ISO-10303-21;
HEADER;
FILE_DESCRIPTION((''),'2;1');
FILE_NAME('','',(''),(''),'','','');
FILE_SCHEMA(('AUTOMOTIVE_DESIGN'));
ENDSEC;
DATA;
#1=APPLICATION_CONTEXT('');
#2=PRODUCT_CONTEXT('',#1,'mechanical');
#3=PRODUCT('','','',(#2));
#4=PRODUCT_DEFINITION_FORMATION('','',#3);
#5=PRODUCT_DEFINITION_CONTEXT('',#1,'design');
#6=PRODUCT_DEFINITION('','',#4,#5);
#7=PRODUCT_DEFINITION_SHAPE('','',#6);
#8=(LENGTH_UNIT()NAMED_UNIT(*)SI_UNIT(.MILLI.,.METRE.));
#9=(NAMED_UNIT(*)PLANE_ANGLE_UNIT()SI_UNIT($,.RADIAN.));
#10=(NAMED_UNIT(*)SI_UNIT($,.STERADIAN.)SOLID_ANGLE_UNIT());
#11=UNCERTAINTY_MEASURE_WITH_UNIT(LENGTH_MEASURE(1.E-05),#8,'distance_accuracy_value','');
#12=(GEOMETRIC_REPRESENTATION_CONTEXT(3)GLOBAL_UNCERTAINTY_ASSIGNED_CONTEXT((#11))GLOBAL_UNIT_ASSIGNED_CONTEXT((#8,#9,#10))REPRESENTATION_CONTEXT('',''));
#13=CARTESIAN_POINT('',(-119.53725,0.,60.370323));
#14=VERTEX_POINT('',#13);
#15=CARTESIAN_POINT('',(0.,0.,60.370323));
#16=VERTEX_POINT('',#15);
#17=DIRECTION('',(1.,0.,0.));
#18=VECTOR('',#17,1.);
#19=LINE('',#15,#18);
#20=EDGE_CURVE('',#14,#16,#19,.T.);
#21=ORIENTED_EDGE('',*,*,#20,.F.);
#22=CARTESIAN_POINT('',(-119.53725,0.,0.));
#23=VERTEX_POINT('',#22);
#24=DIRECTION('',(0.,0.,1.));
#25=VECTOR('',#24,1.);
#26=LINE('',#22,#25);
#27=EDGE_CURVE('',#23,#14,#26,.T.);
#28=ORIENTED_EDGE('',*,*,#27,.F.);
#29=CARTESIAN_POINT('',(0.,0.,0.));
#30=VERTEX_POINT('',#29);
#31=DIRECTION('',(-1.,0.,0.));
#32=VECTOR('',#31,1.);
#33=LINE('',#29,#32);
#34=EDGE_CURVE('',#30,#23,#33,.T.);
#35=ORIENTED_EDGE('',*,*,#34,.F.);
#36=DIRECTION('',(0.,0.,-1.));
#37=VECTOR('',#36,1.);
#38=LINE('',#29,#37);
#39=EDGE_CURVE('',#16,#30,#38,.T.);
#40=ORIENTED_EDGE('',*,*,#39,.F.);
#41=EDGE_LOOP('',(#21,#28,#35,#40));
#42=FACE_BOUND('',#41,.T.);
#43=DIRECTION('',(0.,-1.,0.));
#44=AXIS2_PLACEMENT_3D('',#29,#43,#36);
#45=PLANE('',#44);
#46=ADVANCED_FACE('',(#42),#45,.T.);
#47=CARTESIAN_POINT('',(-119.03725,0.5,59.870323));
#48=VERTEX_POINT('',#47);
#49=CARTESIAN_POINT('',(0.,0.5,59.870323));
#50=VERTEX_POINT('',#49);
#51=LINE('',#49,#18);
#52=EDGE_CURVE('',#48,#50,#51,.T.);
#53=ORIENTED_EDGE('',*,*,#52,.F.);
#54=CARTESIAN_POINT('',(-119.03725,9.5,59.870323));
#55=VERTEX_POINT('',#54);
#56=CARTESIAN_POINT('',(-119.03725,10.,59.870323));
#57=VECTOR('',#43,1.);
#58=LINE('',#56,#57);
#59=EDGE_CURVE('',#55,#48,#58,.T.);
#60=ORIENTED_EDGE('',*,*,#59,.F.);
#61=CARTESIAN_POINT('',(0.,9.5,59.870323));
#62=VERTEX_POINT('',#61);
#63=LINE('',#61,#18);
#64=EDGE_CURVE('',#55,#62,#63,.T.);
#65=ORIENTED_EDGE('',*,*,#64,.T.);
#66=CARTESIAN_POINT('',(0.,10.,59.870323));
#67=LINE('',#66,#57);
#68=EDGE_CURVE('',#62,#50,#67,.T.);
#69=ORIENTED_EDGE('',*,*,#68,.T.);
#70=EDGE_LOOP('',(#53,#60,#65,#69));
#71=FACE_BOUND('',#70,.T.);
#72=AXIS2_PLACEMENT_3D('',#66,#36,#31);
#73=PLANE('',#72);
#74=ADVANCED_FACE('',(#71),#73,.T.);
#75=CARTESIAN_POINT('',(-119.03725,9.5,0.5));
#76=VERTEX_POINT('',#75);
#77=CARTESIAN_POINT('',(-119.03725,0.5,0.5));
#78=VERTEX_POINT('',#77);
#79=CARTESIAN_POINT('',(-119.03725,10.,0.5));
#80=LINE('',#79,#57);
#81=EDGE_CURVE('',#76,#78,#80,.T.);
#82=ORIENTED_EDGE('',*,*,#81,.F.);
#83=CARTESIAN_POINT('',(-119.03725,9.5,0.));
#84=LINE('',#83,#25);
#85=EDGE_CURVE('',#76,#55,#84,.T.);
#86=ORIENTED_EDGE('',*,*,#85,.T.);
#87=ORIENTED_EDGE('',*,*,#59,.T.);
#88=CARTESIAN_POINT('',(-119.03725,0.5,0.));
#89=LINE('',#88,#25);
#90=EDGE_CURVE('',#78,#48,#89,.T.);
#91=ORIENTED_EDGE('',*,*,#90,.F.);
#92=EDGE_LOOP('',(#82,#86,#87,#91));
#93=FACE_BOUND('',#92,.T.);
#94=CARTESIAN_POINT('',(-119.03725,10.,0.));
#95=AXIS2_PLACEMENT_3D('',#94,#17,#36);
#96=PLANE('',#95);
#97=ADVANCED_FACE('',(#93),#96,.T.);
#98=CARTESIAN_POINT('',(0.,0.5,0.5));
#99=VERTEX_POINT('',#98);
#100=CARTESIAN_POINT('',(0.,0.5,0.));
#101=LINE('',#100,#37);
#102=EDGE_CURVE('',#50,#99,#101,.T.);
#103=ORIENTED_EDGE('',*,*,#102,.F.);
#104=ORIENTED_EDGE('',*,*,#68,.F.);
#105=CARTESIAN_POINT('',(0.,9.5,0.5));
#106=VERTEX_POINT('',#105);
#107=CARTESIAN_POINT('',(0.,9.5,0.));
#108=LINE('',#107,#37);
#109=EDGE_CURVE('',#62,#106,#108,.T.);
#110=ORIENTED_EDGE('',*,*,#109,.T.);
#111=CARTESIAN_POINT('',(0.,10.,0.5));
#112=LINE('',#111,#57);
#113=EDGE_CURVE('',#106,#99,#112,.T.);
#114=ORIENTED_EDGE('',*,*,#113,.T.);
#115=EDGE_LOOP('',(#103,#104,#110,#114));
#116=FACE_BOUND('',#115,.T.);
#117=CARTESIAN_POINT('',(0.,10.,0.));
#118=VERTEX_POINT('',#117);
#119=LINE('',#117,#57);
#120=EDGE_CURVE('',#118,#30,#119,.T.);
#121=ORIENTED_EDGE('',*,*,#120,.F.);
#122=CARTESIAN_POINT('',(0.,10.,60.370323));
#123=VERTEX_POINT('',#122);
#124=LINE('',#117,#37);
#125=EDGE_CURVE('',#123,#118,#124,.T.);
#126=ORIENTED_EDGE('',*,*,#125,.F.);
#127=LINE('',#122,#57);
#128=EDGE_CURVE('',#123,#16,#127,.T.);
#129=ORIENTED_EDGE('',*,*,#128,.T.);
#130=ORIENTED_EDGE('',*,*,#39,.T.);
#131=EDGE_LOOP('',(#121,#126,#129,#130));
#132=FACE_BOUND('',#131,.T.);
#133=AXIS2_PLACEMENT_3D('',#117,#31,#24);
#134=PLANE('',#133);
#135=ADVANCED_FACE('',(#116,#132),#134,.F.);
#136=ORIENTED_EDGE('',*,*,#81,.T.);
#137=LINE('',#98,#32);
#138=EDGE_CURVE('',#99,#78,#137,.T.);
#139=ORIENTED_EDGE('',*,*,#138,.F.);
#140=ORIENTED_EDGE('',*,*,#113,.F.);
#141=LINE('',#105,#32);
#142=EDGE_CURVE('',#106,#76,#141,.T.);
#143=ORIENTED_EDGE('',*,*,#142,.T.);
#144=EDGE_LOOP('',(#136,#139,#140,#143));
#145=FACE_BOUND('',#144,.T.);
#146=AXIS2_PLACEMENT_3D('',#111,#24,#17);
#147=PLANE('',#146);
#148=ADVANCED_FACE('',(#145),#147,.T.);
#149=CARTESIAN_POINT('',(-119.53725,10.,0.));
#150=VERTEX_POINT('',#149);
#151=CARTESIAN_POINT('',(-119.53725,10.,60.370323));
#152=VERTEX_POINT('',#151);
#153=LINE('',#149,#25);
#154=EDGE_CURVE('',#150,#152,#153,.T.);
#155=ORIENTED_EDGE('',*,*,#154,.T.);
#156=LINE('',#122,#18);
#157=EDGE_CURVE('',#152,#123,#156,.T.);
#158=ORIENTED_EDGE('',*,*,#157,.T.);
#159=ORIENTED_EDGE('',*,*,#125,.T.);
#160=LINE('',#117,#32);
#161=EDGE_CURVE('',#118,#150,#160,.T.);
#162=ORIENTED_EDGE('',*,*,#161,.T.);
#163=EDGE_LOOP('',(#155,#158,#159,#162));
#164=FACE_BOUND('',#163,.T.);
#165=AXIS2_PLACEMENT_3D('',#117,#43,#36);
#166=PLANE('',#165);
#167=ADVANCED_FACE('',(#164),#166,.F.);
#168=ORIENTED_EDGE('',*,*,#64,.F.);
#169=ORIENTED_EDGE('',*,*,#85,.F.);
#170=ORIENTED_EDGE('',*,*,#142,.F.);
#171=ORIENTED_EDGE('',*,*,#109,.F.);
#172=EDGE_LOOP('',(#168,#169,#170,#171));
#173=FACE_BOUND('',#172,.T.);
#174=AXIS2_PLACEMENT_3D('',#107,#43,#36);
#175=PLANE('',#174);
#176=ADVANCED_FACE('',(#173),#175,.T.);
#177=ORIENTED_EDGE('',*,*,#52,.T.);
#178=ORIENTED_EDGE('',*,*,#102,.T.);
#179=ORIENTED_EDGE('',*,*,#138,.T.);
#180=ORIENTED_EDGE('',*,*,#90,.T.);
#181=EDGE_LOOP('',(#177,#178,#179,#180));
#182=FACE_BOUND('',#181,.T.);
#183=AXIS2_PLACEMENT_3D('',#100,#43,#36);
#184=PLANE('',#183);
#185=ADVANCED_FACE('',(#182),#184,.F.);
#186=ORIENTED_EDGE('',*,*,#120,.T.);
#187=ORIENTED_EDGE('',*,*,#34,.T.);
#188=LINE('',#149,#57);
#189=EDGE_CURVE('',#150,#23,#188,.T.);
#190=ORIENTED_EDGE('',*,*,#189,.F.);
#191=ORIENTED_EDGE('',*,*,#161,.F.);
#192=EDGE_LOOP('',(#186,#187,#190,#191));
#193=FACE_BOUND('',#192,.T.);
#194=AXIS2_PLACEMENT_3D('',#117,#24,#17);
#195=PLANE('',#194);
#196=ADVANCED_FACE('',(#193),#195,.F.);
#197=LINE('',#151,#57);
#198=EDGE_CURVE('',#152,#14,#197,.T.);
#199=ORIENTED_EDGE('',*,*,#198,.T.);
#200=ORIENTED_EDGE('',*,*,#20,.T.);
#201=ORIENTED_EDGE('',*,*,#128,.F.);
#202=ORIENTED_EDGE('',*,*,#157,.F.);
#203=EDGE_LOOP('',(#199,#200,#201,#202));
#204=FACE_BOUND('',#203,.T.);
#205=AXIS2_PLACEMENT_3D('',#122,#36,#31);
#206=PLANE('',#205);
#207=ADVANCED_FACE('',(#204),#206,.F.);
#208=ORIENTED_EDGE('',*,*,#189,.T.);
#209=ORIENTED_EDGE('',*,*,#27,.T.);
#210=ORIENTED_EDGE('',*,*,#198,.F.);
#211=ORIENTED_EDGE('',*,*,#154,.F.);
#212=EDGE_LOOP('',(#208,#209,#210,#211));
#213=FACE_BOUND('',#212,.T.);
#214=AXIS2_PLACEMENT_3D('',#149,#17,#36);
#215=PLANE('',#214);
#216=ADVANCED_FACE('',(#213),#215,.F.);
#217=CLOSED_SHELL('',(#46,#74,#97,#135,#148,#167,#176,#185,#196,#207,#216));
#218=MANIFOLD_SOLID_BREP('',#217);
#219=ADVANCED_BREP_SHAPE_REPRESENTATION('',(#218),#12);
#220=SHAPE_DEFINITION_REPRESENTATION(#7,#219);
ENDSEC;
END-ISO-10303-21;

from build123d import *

# Parameters (mm, degrees)
CROQUIS1_W              = 119.537249877
CROQUIS1_H              = 60.370322505
SALIENTE_EXTRUIR1_DEPTH = 10
VACIADO1_T              = -0.5


with BuildPart() as part:
    # Croquis1 → Saliente-Extruir1 (new body)
    with BuildSketch(Plane(origin=(0, 0, 0), x_dir=(1, 0, 0), z_dir=(0, 1, 0))):
        with Locations((-59.768624939, -30.185161253)):
            Rectangle(CROQUIS1_W, CROQUIS1_H)
    extrude(amount=SALIENTE_EXTRUIR1_DEPTH)

    # Vaciado1
    vaciado1_openings = [part.faces().sort_by_distance(p)[0] for p in [
        (0, 5, 30.185161252),
    ]]
    offset(amount=VACIADO1_T, openings=vaciado1_openings, kind=Kind.INTERSECTION)


solid = part.part
